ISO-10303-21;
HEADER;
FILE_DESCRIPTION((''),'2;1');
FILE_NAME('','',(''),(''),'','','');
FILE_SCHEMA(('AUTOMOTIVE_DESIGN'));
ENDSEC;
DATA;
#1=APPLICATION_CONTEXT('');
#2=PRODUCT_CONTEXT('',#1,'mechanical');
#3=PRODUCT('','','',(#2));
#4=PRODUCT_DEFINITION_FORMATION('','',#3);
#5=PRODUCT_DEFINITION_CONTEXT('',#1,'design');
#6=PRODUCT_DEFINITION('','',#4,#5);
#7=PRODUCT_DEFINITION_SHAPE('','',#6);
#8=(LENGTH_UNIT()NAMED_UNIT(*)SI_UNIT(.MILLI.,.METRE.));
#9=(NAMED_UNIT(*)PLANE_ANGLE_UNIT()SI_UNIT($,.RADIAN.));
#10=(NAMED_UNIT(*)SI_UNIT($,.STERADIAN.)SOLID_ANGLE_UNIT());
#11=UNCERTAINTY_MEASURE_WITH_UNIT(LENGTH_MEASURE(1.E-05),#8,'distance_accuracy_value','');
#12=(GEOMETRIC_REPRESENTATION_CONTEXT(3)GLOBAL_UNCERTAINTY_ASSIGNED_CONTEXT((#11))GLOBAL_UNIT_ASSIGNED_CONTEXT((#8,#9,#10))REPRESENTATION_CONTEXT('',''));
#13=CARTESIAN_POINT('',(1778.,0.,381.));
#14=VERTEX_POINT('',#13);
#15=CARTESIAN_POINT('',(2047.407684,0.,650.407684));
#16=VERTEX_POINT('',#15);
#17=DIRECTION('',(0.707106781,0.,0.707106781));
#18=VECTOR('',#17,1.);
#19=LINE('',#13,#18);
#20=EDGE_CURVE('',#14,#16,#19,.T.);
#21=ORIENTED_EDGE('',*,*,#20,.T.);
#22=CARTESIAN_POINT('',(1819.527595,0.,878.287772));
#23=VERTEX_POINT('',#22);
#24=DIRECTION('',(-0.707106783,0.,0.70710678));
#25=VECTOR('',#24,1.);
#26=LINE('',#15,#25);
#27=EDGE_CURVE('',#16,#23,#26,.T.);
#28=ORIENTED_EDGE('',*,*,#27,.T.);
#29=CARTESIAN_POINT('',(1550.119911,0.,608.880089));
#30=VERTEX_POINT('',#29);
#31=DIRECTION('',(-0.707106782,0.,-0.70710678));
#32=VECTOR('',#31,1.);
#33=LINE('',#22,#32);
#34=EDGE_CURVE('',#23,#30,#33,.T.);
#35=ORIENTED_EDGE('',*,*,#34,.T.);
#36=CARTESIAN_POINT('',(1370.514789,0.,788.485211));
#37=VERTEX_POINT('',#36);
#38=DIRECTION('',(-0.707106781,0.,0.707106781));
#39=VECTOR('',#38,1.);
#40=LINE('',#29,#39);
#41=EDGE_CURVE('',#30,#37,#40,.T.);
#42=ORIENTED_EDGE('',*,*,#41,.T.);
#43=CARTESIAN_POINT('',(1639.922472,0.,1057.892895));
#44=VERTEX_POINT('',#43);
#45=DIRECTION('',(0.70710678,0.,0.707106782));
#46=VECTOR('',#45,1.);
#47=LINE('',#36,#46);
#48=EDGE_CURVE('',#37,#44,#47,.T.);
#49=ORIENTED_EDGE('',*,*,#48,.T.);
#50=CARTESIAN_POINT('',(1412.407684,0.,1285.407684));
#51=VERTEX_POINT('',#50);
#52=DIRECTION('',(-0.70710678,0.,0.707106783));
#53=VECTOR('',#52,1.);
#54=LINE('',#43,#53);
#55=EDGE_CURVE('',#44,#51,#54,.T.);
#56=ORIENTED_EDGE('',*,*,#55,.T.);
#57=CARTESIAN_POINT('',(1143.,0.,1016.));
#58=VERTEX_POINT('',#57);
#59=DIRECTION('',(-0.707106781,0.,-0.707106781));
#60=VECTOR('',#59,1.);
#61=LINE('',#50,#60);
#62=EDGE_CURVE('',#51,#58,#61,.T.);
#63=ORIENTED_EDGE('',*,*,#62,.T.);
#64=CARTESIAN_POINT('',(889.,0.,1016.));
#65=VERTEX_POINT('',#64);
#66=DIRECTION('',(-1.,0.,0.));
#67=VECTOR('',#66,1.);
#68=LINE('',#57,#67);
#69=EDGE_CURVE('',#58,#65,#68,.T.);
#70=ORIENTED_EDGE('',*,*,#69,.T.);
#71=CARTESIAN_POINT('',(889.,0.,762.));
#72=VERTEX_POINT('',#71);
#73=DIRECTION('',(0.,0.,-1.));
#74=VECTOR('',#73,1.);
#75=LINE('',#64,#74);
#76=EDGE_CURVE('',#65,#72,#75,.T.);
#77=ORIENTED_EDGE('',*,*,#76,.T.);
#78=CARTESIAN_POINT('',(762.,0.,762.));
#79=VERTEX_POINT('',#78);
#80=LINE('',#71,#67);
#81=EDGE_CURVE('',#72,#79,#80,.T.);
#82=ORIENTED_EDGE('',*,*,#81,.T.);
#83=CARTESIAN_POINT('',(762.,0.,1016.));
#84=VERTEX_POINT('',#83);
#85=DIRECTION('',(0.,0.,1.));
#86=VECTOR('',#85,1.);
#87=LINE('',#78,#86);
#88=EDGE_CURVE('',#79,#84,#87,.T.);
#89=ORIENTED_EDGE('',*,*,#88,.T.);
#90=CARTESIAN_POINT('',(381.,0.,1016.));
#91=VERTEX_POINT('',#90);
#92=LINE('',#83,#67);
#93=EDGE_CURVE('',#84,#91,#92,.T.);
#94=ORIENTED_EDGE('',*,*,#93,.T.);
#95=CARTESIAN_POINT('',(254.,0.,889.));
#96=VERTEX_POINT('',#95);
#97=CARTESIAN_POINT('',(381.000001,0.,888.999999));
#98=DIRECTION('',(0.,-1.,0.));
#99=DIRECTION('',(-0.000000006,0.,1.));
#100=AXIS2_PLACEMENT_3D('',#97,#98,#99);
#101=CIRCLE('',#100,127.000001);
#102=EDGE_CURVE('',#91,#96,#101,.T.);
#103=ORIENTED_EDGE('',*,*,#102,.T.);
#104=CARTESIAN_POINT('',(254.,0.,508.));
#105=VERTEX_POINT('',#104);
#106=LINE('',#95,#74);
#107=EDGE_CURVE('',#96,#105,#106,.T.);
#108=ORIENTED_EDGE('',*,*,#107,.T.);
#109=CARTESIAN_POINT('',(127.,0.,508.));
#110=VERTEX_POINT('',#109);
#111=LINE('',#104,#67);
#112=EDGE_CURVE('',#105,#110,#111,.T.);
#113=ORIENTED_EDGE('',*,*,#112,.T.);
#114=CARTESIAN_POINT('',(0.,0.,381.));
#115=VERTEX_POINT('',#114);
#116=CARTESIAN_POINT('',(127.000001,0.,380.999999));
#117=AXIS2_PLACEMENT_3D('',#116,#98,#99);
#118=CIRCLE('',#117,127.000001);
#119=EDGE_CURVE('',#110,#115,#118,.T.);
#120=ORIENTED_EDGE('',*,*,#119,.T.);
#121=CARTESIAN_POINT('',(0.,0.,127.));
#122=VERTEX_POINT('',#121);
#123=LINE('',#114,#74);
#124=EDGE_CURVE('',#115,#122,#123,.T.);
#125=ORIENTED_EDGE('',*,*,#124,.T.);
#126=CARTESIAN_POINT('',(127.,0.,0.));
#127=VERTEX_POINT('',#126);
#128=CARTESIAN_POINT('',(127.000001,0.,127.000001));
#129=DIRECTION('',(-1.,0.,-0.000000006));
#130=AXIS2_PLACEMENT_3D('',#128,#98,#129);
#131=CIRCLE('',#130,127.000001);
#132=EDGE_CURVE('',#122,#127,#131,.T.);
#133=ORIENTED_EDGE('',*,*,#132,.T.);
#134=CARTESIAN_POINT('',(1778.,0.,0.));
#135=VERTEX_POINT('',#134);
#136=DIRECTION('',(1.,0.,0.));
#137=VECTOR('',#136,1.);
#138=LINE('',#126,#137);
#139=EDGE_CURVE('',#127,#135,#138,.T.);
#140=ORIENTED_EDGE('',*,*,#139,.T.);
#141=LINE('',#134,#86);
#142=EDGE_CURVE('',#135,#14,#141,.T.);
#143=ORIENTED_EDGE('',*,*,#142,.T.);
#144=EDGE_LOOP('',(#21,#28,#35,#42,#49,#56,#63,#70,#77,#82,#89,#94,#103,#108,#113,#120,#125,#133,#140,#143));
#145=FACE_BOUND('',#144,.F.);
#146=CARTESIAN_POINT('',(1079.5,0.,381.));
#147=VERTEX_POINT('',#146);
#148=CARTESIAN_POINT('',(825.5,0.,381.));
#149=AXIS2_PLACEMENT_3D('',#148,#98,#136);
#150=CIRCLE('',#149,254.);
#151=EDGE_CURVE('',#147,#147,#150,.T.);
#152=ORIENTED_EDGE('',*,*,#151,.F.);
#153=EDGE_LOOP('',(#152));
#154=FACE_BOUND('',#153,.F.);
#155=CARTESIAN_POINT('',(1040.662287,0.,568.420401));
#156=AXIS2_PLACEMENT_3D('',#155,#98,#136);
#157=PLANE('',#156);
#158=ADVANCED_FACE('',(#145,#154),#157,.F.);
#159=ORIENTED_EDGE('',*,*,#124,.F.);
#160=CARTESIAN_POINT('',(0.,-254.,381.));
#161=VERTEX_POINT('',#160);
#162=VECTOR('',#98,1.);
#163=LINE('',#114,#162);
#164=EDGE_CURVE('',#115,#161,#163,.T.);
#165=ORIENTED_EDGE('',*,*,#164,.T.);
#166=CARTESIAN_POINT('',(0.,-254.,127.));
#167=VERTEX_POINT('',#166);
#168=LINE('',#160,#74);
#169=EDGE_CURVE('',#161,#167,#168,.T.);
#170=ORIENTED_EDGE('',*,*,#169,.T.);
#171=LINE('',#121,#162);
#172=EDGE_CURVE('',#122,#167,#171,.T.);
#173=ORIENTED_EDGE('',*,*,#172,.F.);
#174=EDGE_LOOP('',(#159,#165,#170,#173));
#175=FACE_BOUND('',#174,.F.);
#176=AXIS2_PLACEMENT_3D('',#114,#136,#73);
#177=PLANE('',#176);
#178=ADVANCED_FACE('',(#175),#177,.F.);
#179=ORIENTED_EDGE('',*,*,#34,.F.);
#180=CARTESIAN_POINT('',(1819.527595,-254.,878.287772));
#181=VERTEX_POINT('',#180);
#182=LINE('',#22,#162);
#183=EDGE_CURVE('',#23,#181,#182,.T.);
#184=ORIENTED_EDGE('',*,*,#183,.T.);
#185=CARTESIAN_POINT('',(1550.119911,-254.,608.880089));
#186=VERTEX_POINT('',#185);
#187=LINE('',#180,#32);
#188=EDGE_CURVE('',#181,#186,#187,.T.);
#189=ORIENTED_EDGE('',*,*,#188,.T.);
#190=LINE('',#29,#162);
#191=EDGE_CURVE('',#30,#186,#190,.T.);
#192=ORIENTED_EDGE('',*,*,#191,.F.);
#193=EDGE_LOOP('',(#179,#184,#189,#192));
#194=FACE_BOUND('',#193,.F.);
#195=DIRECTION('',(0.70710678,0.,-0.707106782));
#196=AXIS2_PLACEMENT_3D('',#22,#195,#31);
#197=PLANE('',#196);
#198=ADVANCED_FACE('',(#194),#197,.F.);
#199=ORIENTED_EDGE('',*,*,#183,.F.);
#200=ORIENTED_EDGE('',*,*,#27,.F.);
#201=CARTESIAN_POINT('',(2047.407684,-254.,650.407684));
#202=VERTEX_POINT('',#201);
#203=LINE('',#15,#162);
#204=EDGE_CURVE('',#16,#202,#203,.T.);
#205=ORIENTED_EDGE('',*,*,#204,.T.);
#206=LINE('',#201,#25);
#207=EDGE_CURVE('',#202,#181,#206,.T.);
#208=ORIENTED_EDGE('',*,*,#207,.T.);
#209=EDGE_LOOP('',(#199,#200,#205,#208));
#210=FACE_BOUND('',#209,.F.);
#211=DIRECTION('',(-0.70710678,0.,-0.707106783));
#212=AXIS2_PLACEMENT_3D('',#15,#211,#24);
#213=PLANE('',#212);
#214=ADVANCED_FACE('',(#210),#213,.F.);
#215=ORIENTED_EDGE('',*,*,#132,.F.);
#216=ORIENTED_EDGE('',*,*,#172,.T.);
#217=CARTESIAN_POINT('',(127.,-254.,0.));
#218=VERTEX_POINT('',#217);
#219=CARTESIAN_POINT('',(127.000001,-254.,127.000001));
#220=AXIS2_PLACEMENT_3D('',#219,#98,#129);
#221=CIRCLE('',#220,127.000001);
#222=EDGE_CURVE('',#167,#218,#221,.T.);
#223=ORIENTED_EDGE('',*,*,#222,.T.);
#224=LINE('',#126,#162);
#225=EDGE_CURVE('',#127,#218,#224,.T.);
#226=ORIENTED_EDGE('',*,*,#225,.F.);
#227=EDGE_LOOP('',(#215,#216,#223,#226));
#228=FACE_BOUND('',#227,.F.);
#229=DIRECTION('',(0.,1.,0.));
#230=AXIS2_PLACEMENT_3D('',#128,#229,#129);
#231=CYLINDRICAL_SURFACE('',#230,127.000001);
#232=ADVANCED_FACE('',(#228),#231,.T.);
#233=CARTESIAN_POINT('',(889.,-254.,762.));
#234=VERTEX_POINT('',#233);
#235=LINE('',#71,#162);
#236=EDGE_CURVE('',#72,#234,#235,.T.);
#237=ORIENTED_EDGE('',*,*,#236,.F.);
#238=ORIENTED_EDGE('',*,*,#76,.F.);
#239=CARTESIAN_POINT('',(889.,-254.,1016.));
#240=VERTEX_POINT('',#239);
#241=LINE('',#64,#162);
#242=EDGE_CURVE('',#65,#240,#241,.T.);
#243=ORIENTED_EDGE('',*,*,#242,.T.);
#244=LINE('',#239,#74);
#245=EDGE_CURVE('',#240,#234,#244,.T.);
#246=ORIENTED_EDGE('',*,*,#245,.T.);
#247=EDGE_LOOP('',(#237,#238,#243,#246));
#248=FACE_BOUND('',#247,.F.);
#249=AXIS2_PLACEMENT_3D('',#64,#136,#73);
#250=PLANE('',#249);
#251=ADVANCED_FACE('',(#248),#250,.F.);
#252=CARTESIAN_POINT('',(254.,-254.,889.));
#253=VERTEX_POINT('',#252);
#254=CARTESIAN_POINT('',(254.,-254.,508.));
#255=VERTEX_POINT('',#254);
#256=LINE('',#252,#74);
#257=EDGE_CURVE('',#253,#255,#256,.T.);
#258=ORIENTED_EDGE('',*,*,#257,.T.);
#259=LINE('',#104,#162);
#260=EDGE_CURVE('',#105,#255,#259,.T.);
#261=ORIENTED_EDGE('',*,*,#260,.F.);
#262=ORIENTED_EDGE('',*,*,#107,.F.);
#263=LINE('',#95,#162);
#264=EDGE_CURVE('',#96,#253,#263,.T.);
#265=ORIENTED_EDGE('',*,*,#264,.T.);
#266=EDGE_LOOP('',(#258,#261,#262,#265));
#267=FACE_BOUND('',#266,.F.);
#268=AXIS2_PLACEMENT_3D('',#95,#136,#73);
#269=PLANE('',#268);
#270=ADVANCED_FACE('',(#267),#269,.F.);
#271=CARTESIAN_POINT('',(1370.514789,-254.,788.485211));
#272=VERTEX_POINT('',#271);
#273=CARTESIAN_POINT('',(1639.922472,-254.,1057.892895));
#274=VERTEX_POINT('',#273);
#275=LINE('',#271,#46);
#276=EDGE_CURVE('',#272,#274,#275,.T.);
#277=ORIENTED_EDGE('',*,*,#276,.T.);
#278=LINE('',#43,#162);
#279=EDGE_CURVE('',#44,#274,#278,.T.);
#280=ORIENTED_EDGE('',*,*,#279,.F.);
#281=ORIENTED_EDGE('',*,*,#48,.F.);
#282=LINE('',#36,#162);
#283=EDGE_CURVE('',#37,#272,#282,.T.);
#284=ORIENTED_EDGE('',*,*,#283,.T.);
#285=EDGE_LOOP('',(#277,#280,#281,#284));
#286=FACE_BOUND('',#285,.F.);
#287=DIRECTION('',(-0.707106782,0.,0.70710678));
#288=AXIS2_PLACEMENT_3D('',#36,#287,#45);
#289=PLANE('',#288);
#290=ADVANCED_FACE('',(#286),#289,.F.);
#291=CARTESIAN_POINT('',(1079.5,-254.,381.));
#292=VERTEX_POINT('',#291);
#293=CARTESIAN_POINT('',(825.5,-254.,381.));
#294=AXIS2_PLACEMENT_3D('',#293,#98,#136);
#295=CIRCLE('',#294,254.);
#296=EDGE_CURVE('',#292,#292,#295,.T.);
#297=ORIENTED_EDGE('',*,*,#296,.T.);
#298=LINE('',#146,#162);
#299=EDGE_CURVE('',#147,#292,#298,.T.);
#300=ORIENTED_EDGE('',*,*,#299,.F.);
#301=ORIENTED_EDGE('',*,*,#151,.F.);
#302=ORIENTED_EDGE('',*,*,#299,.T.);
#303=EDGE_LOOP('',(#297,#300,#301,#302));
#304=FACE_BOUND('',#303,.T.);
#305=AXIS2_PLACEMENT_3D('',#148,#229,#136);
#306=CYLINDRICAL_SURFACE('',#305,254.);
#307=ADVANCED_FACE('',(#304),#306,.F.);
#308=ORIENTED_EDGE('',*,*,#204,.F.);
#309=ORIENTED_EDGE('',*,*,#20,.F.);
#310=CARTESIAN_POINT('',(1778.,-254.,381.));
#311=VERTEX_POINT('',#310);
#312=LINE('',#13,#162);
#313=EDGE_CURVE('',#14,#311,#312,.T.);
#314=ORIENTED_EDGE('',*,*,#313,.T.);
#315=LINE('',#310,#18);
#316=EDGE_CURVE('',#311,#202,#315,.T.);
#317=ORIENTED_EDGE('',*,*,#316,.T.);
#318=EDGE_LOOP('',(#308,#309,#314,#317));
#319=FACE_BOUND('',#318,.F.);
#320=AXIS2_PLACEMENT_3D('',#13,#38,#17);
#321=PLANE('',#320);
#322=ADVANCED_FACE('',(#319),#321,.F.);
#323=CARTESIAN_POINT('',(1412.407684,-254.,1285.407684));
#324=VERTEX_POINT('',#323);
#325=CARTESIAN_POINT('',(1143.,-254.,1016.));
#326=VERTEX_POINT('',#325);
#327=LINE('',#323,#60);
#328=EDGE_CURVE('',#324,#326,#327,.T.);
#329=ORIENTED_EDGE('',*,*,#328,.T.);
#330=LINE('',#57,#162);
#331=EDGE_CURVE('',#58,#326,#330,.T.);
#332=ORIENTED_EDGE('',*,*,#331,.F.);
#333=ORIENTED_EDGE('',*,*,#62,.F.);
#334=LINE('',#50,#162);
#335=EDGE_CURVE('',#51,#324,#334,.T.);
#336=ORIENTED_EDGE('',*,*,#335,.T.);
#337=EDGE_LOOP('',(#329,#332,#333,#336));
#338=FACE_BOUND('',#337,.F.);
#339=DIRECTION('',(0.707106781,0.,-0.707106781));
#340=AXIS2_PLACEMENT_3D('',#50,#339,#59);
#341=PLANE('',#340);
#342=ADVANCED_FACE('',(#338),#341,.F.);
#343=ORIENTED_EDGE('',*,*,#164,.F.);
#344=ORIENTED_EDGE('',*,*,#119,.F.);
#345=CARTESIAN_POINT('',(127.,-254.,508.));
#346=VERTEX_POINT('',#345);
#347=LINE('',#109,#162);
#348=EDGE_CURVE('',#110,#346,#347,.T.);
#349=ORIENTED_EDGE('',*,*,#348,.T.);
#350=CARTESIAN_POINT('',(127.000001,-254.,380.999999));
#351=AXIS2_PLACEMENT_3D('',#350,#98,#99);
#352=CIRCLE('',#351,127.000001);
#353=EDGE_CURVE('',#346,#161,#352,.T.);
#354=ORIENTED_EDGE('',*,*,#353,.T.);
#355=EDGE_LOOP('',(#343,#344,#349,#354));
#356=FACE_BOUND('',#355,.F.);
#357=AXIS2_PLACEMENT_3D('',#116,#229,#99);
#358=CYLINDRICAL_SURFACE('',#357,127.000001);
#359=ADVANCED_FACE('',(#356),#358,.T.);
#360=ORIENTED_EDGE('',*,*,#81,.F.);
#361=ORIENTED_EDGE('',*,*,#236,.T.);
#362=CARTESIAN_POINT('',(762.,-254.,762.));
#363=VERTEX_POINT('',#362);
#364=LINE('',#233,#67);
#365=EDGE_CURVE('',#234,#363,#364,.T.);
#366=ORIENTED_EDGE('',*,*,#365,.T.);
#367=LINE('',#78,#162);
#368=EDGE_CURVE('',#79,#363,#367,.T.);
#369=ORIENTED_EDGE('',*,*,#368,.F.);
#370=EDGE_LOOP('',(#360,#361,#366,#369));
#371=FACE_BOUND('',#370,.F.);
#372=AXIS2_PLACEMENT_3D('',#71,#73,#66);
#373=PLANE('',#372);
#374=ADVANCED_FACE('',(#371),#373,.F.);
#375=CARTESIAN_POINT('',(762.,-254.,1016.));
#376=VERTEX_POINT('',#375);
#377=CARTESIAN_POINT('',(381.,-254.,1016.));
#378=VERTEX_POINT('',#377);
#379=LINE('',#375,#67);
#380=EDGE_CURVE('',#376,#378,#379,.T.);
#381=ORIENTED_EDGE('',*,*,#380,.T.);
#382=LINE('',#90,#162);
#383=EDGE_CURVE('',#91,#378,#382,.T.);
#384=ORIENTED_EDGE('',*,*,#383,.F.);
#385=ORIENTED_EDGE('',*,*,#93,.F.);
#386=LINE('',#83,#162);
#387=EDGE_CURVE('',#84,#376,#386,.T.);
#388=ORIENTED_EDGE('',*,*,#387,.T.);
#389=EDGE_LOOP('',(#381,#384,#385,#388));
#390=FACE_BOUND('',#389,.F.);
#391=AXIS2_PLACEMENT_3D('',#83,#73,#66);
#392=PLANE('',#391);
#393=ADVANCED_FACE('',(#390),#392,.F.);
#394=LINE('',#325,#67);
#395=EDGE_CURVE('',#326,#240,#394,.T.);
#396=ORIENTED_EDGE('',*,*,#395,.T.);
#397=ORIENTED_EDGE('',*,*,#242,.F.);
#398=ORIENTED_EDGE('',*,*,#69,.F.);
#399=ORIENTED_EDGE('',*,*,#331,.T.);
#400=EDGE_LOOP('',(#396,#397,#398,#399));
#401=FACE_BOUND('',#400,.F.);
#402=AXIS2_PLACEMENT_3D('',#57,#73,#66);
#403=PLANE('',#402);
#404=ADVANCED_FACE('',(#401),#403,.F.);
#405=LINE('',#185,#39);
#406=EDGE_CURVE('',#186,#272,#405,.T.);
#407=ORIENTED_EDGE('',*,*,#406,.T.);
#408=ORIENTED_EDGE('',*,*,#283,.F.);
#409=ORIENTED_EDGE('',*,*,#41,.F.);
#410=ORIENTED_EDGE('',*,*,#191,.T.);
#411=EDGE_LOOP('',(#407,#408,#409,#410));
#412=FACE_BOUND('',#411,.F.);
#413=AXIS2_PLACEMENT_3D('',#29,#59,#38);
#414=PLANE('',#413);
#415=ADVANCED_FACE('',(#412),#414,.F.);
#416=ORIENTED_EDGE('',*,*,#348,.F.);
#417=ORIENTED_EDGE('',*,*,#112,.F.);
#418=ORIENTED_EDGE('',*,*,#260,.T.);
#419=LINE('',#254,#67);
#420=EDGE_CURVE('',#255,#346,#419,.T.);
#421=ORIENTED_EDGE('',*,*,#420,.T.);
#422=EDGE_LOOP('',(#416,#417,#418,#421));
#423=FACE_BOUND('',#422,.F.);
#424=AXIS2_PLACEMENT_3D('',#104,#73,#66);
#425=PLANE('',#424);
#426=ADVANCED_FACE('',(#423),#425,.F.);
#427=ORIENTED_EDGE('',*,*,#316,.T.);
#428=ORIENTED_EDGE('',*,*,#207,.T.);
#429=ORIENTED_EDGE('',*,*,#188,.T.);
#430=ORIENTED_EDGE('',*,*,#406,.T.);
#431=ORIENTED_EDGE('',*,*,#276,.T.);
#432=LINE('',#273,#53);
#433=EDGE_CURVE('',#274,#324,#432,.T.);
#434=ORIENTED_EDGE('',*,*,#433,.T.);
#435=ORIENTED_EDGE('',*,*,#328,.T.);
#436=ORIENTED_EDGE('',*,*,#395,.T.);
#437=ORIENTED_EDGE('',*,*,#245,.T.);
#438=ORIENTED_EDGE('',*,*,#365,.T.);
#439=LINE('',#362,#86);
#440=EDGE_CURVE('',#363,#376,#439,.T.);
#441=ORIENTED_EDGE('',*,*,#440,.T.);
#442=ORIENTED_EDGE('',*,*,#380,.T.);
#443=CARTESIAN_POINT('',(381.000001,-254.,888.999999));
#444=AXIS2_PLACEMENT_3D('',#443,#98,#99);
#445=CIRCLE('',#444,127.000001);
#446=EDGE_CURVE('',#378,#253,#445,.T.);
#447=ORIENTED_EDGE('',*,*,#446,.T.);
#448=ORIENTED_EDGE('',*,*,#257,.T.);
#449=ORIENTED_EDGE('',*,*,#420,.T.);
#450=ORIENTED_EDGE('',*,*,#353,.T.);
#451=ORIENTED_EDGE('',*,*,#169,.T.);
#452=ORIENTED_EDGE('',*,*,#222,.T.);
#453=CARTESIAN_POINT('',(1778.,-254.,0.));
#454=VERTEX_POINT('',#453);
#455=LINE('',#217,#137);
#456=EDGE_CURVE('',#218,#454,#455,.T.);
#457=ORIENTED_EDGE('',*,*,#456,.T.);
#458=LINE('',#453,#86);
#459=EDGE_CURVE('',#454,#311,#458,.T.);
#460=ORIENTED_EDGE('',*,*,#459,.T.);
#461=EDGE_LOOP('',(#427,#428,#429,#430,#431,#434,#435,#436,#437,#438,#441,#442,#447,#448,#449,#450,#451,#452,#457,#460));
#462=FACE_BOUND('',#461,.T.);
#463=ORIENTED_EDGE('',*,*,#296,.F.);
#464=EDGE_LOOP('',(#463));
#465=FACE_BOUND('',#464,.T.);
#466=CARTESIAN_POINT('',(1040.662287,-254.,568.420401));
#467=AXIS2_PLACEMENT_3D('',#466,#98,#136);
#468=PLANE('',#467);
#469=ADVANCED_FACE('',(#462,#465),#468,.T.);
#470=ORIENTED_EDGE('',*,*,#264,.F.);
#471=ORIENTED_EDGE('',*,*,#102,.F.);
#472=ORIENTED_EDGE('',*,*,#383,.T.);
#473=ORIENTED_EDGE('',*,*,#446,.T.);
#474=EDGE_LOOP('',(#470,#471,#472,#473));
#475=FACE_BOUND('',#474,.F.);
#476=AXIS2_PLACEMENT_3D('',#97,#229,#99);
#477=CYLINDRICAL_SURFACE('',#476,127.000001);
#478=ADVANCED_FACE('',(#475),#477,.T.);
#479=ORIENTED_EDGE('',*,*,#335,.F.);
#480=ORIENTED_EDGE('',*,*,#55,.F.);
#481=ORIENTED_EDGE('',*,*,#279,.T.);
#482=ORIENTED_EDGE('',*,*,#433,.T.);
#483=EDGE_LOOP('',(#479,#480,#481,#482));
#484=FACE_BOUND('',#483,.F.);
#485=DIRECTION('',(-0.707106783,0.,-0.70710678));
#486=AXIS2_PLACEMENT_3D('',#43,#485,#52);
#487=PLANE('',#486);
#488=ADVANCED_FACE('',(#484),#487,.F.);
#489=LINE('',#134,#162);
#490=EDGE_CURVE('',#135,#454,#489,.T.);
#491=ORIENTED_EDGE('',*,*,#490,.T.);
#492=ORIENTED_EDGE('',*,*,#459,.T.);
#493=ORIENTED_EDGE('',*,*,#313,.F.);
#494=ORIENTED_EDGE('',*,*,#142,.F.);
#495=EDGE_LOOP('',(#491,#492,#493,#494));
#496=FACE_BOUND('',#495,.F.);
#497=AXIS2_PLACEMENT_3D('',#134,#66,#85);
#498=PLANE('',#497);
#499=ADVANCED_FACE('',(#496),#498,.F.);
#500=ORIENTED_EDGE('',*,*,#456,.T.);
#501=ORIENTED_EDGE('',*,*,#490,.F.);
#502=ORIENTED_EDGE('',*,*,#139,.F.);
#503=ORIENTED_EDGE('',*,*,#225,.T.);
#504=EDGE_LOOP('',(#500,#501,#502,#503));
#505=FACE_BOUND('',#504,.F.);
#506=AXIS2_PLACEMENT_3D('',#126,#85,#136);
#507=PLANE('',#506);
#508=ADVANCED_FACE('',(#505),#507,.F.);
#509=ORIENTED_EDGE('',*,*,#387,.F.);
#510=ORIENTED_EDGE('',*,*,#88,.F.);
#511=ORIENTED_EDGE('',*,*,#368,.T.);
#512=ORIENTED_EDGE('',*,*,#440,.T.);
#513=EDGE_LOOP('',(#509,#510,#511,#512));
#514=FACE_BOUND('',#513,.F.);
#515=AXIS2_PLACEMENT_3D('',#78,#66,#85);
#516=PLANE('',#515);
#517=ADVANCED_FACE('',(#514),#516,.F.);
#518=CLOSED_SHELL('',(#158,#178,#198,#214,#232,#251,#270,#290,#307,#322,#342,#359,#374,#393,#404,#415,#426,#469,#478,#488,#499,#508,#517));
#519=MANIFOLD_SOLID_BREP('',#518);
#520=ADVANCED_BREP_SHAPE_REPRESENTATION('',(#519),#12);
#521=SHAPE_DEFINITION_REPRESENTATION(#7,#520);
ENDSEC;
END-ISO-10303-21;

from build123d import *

# Parameters (mm, degrees)
F0_R     = 254
F1_DEPTH = 254


with BuildPart() as f1:
    # F0 (on Front) → F1 (new body)
    with BuildSketch(Plane.XZ):
        with BuildLine():
            Line((0, 381), (0, 127))
            ThreePointArc((0, 127), (37.197439, 37.197439), (127, 0))
            Line((127, 0), (1778, 0))
            Line((1778, 0), (1778, 381))
            Line((1778, 381), (2047.407684, 650.407684))
            Line((2047.407684, 650.407684), (1819.527595, 878.287772))
            Line((1819.527595, 878.287772), (1550.119911, 608.880089))
            Line((1550.119911, 608.880089), (1370.514789, 788.485211))
            Line((1370.514789, 788.485211), (1639.922472, 1057.892895))
            Line((1639.922472, 1057.892895), (1412.407684, 1285.407684))
            Line((1412.407684, 1285.407684), (1143, 1016))
            Line((1143, 1016), (889, 1016))
            Line((889, 1016), (889, 762))
            Line((889, 762), (762, 762))
            Line((762, 762), (762, 1016))
            Line((762, 1016), (381, 1016))
            ThreePointArc((381, 1016), (291.197439, 978.802561), (254, 889))
            Line((254, 889), (254, 508))
            Line((254, 508), (127, 508))
            ThreePointArc((127, 508), (37.197439, 470.802561), (0, 381))
        make_face()
        with Locations((825.5, 381)):
            Circle(F0_R, mode=Mode.SUBTRACT)
    extrude(amount=F1_DEPTH)


solid = f1.part
